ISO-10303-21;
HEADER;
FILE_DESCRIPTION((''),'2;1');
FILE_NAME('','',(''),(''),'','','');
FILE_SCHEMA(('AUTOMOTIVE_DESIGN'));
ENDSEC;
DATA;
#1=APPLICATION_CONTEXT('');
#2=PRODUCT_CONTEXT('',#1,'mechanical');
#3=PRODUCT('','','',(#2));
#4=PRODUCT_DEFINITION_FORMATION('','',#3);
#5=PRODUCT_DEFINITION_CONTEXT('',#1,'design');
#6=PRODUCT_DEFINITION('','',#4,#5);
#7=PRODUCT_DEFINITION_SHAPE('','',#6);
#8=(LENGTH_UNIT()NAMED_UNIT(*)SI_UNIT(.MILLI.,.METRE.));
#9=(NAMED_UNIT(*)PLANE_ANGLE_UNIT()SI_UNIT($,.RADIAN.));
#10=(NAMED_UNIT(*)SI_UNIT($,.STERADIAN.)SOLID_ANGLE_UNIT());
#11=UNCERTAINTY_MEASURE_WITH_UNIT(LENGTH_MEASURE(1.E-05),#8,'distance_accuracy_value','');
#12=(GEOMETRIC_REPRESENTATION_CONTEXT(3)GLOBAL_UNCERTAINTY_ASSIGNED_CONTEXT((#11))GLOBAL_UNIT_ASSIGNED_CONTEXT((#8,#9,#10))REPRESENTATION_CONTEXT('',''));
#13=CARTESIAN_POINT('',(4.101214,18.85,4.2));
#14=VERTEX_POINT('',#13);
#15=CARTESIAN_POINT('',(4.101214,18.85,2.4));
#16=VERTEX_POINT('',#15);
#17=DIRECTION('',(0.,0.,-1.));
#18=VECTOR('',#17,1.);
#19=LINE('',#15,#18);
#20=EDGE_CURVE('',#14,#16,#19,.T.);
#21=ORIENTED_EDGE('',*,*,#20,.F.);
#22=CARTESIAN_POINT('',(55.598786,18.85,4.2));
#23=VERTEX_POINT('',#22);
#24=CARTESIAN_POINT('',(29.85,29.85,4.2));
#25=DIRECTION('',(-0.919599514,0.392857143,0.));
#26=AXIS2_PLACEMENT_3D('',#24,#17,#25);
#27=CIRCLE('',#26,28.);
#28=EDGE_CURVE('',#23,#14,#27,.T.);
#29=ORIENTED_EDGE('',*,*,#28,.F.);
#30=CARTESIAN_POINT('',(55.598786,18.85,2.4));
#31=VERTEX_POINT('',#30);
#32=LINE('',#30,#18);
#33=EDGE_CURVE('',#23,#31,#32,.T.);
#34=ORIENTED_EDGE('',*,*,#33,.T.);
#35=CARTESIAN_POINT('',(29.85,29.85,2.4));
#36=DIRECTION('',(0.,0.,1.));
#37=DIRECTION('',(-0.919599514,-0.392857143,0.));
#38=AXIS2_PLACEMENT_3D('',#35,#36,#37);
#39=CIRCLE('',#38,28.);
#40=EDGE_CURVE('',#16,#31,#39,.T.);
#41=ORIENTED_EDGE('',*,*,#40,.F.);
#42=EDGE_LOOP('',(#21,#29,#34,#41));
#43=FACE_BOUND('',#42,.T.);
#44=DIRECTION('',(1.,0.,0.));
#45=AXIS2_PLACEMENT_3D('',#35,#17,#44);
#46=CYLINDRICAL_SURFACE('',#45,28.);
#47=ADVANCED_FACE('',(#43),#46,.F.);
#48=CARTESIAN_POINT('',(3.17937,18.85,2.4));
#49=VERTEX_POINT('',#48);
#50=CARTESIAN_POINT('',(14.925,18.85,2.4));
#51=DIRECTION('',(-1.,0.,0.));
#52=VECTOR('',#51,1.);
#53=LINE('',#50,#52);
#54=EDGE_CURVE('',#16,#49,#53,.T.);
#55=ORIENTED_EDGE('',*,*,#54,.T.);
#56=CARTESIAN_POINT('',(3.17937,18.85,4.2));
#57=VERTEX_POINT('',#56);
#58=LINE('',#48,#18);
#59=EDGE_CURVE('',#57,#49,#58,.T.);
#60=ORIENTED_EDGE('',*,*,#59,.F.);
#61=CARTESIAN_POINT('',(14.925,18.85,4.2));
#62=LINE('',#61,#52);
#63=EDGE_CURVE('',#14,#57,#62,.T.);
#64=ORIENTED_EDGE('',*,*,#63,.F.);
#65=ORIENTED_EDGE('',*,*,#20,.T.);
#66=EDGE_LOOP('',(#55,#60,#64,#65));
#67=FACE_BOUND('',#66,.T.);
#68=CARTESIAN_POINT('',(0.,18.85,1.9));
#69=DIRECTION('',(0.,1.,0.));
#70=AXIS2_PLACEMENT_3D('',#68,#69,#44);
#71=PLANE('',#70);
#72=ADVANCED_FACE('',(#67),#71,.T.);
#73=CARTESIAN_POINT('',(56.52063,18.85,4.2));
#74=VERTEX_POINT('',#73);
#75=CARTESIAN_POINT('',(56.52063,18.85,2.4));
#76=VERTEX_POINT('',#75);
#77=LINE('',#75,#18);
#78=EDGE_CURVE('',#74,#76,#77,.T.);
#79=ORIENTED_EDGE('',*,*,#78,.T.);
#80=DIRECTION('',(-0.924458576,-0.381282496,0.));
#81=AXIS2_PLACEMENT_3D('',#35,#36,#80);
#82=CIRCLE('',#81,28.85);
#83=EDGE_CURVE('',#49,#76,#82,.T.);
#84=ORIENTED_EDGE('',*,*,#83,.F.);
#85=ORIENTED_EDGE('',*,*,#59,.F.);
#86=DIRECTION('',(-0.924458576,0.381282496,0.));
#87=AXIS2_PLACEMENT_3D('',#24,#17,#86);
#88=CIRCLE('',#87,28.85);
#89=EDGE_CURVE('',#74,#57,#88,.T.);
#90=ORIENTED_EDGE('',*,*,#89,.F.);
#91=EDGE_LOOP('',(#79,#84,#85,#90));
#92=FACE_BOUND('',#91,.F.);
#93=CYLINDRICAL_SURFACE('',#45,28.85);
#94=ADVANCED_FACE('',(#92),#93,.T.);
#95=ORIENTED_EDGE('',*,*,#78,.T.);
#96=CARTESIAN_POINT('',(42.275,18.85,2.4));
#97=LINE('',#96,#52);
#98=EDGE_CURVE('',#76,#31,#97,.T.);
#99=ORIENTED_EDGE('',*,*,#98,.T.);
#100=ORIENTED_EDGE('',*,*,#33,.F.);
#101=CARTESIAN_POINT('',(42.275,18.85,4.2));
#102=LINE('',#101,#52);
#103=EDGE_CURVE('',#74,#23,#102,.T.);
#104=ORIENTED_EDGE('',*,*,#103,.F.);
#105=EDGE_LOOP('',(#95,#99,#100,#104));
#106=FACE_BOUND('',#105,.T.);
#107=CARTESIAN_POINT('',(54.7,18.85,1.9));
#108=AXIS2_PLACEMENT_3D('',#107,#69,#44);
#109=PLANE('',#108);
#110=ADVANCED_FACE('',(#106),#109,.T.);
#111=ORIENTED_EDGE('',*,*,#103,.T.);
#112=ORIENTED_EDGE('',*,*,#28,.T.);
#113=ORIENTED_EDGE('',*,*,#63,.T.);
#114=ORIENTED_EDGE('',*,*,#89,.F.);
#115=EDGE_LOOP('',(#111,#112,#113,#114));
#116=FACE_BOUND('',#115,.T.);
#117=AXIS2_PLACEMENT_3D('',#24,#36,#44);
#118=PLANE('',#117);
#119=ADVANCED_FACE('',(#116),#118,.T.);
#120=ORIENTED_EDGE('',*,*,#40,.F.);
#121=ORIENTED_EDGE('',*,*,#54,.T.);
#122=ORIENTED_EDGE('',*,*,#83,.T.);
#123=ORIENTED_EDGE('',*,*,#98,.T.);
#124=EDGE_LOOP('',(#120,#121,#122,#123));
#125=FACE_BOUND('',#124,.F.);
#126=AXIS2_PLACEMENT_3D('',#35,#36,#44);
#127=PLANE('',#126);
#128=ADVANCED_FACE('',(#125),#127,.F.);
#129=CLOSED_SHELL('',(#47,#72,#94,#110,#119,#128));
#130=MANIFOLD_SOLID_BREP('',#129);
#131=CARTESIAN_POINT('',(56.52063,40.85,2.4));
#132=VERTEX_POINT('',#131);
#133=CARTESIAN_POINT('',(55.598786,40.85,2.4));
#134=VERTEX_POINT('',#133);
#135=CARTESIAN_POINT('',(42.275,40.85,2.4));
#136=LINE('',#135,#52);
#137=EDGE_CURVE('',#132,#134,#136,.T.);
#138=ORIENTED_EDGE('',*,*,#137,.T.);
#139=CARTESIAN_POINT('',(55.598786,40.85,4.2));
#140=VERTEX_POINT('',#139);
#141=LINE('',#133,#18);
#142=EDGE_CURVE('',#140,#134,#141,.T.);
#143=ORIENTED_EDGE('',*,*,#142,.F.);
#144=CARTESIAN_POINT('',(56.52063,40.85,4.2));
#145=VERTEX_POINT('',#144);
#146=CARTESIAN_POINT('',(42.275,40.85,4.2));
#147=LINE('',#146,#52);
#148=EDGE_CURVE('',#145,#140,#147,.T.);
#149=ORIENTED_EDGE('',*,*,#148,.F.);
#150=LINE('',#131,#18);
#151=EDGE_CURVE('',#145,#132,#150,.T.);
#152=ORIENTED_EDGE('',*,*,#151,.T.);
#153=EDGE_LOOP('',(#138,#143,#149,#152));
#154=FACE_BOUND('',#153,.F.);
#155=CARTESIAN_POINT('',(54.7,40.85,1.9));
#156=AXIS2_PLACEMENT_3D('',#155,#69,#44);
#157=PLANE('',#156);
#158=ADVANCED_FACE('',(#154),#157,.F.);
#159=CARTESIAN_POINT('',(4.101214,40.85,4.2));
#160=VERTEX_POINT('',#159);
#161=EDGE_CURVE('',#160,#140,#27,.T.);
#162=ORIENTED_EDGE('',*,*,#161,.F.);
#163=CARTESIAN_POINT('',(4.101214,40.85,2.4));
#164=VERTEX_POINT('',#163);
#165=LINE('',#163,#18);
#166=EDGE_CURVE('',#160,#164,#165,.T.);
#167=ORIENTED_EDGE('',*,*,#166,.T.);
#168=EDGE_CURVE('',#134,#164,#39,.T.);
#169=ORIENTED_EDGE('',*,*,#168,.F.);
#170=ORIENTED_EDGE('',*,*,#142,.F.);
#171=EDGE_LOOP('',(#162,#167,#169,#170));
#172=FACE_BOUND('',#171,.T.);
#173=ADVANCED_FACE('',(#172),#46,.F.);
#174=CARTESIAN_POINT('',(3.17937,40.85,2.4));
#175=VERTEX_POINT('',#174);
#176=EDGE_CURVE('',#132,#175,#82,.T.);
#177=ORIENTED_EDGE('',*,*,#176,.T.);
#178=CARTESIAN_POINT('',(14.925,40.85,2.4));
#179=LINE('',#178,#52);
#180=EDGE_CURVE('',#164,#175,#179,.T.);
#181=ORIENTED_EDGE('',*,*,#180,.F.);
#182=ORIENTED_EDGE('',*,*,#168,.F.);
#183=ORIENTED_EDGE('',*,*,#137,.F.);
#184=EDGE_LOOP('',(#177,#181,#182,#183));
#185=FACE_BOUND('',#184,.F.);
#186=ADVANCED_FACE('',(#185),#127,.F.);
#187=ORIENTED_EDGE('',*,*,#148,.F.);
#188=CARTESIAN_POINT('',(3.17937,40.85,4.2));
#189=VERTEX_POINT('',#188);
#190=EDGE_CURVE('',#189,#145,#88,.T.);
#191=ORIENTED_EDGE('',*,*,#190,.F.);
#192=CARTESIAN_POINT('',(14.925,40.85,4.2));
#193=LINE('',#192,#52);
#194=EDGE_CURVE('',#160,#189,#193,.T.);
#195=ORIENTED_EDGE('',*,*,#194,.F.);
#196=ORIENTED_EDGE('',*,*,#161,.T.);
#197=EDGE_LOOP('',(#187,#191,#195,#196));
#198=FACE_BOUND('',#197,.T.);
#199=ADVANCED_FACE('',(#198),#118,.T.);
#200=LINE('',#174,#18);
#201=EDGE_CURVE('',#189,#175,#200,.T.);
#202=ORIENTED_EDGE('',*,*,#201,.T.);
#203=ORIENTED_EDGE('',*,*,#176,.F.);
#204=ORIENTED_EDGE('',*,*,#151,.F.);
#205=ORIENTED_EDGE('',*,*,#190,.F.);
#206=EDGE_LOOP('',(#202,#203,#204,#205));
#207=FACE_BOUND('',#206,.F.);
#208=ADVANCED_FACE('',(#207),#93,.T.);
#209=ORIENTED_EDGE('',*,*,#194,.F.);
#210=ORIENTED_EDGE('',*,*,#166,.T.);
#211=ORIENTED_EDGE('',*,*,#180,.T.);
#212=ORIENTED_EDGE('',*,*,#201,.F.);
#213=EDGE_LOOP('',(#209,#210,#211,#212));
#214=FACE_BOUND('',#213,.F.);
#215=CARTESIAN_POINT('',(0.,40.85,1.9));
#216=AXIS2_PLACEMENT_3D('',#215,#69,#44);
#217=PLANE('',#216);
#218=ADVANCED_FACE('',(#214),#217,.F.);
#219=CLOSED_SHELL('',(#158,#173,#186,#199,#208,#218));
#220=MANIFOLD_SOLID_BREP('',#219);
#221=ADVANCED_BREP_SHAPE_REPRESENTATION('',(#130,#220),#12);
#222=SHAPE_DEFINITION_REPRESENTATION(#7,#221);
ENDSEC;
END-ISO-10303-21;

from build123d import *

# Parameters (mm, degrees)
BOX003_W          = 5
BOX003_H          = 22
BOX003_DEPTH      = 2.5
BOX002_W          = 5
BOX002_H          = 22
BOX002_DEPTH      = 2.5
CYLINDER001_R     = 28
CYLINDER001_DEPTH = 1.8
CYLINDER_R        = 28.85
CYLINDER_DEPTH    = 1.8


with BuildPart() as box003:
    # Box003 → Box003 (new body)
    with BuildSketch(Plane(origin=(54.7, 18.85, 1.9), x_dir=(1, 0, 0), z_dir=(0, 0, 1))):
        with Locations((2.5, 11)):
            Rectangle(BOX003_W, BOX003_H)
    extrude(amount=BOX003_DEPTH)


with BuildPart() as box002:
    # Box002 → Box002 (new body)
    with BuildSketch(Plane(origin=(0, 18.85, 1.9), x_dir=(1, 0, 0), z_dir=(0, 0, 1))):
        with Locations((2.5, 11)):
            Rectangle(BOX002_W, BOX002_H)
    extrude(amount=BOX002_DEPTH)


with BuildPart() as cylinder_inside:
    # Cylinder001 → Cylinder001 (new body)
    with BuildSketch(Plane(origin=(29.85, 29.85, 2.4), x_dir=(1, 0, 0), z_dir=(0, 0, 1))):
        Circle(CYLINDER001_R)
    extrude(amount=CYLINDER001_DEPTH)


with BuildPart() as cylinder:
    # Cylinder → Cylinder (new body)
    with BuildSketch(Plane(origin=(29.85, 29.85, 2.4), x_dir=(1, 0, 0), z_dir=(0, 0, 1))):
        Circle(CYLINDER_R)
    extrude(amount=CYLINDER_DEPTH)

    # Cut: cut Cylinder_Inside
    add(cylinder_inside.part, mode=Mode.SUBTRACT)

    # Cut001: cut Box002
    add(box002.part, mode=Mode.SUBTRACT)

    # Cut002: cut Box003
    add(box003.part, mode=Mode.SUBTRACT)


solid = cylinder.part
